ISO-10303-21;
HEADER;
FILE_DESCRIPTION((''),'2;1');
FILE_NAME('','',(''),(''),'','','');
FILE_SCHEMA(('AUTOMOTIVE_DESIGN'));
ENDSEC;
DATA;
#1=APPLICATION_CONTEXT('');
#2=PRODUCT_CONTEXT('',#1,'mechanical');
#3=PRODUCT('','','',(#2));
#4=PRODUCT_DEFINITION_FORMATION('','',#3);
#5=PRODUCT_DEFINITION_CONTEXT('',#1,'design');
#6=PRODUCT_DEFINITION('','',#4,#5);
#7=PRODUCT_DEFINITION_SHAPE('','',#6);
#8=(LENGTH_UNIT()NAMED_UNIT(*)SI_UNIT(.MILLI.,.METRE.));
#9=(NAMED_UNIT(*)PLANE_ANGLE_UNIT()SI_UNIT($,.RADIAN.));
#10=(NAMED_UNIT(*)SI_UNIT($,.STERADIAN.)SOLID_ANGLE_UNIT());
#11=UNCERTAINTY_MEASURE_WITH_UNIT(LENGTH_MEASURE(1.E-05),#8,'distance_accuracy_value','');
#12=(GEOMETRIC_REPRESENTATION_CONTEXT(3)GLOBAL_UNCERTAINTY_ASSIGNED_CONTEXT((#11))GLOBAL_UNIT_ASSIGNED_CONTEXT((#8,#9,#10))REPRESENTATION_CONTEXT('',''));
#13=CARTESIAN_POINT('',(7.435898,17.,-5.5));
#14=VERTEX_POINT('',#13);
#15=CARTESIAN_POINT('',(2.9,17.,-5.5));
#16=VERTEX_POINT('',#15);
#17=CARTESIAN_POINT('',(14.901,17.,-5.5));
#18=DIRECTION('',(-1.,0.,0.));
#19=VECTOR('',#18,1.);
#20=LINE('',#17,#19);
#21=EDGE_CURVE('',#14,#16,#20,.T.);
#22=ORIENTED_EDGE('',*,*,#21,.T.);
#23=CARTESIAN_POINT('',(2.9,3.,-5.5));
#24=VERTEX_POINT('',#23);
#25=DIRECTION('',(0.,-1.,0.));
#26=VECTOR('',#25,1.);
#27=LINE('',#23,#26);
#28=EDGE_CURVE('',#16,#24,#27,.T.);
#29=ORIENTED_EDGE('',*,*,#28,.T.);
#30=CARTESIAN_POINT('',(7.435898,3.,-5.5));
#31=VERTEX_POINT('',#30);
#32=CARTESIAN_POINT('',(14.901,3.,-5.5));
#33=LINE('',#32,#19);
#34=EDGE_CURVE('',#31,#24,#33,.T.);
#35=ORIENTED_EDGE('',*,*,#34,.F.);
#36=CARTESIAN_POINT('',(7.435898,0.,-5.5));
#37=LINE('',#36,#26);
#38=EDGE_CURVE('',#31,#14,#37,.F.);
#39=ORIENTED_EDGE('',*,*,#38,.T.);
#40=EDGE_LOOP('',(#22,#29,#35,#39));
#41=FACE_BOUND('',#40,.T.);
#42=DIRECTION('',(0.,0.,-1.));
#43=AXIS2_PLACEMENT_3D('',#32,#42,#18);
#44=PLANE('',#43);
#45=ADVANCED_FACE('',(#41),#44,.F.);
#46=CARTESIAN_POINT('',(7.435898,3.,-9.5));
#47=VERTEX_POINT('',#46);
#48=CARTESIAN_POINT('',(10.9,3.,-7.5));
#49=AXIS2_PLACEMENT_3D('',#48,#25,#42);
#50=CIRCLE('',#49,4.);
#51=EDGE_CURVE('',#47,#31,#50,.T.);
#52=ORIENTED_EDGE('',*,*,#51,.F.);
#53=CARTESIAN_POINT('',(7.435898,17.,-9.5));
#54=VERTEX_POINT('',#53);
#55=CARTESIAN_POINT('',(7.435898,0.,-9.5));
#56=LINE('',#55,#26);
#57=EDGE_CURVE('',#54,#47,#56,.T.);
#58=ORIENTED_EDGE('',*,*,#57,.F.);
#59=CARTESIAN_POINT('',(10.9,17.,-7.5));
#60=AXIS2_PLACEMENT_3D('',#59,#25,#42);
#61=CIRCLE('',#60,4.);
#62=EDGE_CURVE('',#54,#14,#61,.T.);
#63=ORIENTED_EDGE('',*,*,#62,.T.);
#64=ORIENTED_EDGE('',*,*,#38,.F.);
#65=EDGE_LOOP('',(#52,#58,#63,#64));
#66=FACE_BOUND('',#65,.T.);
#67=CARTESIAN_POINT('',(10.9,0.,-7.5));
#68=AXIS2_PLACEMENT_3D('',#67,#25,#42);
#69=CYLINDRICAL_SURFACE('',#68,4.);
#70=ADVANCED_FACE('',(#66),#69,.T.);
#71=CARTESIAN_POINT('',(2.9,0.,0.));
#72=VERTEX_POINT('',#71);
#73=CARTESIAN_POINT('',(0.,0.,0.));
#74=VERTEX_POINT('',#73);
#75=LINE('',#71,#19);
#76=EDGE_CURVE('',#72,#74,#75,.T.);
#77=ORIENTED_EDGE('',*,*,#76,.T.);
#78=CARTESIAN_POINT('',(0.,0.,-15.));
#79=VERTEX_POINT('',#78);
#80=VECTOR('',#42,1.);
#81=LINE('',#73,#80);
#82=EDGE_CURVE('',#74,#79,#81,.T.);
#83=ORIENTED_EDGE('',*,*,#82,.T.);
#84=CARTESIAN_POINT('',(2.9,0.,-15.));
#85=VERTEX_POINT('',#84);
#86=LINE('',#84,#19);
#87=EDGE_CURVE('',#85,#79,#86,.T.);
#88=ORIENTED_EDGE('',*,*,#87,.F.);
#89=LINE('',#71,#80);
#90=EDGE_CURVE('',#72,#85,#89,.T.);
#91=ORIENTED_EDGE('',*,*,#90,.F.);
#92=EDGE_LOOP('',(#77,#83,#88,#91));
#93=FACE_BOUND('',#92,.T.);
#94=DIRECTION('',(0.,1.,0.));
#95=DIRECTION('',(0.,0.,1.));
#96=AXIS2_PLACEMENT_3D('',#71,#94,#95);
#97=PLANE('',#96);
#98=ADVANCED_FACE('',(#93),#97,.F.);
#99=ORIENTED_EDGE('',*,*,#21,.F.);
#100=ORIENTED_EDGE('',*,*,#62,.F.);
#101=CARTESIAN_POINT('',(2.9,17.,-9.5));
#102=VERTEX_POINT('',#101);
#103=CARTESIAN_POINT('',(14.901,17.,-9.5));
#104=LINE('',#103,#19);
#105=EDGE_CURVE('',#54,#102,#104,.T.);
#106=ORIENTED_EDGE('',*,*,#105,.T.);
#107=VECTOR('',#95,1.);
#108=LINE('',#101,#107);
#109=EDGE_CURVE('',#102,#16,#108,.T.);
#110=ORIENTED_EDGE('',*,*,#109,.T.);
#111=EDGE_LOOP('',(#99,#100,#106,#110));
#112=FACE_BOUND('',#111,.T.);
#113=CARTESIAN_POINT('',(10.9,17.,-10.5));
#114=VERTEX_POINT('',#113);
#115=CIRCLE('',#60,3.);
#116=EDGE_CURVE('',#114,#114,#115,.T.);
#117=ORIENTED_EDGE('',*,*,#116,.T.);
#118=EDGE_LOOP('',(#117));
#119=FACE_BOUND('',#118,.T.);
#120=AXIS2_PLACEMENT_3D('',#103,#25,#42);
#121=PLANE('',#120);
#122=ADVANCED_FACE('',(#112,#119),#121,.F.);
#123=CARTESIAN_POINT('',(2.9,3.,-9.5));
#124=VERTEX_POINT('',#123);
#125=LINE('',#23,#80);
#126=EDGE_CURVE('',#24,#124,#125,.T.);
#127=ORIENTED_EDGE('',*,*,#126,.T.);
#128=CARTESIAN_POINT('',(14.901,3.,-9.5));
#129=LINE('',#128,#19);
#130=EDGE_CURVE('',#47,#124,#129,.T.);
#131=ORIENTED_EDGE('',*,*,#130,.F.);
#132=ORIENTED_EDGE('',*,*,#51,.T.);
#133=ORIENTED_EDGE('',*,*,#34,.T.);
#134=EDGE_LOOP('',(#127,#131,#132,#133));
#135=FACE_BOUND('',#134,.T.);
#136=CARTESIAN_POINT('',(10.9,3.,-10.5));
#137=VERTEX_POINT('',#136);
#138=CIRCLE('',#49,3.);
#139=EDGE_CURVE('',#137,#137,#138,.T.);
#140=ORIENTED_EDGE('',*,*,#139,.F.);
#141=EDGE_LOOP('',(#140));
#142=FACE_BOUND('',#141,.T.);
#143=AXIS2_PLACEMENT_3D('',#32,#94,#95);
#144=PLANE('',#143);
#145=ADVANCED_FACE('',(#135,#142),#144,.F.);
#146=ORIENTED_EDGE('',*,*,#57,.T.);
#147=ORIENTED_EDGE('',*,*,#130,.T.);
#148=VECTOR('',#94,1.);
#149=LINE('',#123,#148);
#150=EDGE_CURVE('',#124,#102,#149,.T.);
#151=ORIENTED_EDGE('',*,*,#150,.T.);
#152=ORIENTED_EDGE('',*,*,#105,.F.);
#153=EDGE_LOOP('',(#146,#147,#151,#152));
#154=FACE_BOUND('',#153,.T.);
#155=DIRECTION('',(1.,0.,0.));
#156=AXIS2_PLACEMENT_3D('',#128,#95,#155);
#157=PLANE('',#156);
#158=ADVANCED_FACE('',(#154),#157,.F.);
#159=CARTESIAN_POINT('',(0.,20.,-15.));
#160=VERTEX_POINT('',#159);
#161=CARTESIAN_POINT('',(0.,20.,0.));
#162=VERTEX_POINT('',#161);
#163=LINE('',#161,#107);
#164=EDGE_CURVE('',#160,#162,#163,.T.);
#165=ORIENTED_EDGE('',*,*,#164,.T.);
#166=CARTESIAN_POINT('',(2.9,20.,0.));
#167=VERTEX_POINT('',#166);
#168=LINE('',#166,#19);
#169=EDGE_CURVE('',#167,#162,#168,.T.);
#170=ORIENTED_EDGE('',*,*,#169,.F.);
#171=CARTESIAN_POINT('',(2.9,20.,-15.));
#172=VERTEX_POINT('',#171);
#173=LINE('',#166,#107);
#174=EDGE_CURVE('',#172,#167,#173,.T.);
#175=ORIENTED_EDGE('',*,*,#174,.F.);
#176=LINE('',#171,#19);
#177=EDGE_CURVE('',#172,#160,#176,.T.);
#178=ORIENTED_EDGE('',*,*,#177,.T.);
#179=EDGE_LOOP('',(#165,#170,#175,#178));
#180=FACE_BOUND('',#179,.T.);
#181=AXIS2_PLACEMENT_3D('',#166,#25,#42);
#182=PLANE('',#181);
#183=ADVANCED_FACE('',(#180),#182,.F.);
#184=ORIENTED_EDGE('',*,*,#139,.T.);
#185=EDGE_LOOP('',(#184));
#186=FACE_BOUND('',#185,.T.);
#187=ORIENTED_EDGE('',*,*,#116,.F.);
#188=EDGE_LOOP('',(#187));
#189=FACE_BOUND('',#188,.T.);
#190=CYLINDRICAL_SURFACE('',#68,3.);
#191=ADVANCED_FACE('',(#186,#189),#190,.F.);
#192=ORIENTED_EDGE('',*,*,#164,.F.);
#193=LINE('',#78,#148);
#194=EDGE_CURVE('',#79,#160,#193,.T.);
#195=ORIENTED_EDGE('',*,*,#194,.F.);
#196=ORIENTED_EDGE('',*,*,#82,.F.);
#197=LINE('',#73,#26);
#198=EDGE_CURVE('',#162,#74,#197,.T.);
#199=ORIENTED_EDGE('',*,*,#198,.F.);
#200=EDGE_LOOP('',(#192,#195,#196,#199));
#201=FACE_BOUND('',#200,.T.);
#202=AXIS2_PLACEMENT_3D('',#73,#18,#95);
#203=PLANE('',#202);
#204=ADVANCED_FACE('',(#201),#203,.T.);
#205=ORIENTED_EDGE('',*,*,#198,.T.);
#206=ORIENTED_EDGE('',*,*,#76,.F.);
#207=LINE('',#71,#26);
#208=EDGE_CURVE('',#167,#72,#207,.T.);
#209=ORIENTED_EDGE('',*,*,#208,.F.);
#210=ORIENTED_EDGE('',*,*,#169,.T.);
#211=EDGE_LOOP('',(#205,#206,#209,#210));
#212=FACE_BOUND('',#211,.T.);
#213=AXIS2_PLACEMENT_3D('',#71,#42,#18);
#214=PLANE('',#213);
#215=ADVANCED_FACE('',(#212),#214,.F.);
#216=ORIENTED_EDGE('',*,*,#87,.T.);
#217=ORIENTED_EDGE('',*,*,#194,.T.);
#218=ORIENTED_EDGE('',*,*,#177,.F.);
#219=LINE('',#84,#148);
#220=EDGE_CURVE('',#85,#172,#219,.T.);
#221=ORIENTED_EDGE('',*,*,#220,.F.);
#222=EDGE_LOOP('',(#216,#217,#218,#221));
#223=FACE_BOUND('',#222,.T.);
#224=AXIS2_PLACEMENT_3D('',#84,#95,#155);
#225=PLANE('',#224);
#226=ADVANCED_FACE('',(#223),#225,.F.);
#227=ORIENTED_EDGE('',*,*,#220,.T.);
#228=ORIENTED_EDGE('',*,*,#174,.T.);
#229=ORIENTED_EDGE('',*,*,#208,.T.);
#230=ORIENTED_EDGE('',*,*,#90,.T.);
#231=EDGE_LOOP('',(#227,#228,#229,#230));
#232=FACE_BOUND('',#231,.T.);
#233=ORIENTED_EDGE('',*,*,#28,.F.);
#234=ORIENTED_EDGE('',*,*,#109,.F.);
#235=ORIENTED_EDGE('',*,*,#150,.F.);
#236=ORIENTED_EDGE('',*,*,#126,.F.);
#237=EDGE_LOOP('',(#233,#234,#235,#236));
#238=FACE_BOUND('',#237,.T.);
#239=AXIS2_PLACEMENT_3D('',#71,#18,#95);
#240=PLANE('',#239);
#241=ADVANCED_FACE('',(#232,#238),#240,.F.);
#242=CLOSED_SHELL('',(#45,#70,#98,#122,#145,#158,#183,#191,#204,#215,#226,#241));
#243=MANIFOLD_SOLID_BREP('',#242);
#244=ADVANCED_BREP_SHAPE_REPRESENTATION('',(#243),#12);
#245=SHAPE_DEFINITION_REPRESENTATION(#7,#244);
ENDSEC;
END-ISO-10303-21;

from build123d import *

# Parameters (mm, degrees)
SKETCH1_W                = 15
SKETCH1_H                = 20
BOSS_EXTRUDE1_DEPTH      = 2.9
SKETCH2_W                = 1
SKETCH2_H                = 14
BOSS_EXTRUDE2_REACH      = 29.731
BOSS_EXTRUDE2_END_RADIUS = 4
SKETCH4_W                = 4
SKETCH4_H                = 14


with BuildPart() as part:
    # Sketch1 → Boss-Extrude1 (new body)
    with BuildSketch(Plane(origin=(0, 0, 0), x_dir=(0, 0, -1), z_dir=(1, 0, 0))):
        with Locations((7.5, 10)):
            Rectangle(SKETCH1_W, SKETCH1_H)
    extrude(amount=BOSS_EXTRUDE1_DEPTH)



with BuildPart() as body_2:
    # Sketch2 → Revolve1 (revolve)
    with BuildSketch(Plane(origin=(10.9, 0, 0), x_dir=(0, 0, -1), z_dir=(1, 0, 0))):
        with Locations((11, 10)):
            Rectangle(SKETCH2_W, SKETCH2_H)
    revolve(axis=Axis((10.9, 0, -7.5), (0, 1, 0)))


with BuildPart() as part_1:
    add(part.part)

    add(body_2.part)  # Boss-Extrude2 merges body 2
    # Boss-Extrude2: up to this cylinder (the profile starts outside it)
    boss_extrude2_end = Plane(origin=(10.9, 10, -7.5), z_dir=(0, -1, 0)) * Cylinder(BOSS_EXTRUDE2_END_RADIUS, 68.462, mode=Mode.PRIVATE)
    # Sketch4 → Boss-Extrude2 (add, up to the surface)
    with BuildSketch(Plane(origin=(2.9, 0, 0), x_dir=(0, 0, -1), z_dir=(1, 0, 0)), mode=Mode.PRIVATE) as boss_extrude2_sk1:
        with Locations((7.5, 10)):
            Rectangle(SKETCH4_W, SKETCH4_H)
    boss_extrude2_tool1 = extrude(boss_extrude2_sk1.sketch, amount=BOSS_EXTRUDE2_REACH, mode=Mode.PRIVATE) - boss_extrude2_end
    add(boss_extrude2_tool1.solids().sort_by_distance((2.9, 10, -7.5))[0])


solid = part_1.part
